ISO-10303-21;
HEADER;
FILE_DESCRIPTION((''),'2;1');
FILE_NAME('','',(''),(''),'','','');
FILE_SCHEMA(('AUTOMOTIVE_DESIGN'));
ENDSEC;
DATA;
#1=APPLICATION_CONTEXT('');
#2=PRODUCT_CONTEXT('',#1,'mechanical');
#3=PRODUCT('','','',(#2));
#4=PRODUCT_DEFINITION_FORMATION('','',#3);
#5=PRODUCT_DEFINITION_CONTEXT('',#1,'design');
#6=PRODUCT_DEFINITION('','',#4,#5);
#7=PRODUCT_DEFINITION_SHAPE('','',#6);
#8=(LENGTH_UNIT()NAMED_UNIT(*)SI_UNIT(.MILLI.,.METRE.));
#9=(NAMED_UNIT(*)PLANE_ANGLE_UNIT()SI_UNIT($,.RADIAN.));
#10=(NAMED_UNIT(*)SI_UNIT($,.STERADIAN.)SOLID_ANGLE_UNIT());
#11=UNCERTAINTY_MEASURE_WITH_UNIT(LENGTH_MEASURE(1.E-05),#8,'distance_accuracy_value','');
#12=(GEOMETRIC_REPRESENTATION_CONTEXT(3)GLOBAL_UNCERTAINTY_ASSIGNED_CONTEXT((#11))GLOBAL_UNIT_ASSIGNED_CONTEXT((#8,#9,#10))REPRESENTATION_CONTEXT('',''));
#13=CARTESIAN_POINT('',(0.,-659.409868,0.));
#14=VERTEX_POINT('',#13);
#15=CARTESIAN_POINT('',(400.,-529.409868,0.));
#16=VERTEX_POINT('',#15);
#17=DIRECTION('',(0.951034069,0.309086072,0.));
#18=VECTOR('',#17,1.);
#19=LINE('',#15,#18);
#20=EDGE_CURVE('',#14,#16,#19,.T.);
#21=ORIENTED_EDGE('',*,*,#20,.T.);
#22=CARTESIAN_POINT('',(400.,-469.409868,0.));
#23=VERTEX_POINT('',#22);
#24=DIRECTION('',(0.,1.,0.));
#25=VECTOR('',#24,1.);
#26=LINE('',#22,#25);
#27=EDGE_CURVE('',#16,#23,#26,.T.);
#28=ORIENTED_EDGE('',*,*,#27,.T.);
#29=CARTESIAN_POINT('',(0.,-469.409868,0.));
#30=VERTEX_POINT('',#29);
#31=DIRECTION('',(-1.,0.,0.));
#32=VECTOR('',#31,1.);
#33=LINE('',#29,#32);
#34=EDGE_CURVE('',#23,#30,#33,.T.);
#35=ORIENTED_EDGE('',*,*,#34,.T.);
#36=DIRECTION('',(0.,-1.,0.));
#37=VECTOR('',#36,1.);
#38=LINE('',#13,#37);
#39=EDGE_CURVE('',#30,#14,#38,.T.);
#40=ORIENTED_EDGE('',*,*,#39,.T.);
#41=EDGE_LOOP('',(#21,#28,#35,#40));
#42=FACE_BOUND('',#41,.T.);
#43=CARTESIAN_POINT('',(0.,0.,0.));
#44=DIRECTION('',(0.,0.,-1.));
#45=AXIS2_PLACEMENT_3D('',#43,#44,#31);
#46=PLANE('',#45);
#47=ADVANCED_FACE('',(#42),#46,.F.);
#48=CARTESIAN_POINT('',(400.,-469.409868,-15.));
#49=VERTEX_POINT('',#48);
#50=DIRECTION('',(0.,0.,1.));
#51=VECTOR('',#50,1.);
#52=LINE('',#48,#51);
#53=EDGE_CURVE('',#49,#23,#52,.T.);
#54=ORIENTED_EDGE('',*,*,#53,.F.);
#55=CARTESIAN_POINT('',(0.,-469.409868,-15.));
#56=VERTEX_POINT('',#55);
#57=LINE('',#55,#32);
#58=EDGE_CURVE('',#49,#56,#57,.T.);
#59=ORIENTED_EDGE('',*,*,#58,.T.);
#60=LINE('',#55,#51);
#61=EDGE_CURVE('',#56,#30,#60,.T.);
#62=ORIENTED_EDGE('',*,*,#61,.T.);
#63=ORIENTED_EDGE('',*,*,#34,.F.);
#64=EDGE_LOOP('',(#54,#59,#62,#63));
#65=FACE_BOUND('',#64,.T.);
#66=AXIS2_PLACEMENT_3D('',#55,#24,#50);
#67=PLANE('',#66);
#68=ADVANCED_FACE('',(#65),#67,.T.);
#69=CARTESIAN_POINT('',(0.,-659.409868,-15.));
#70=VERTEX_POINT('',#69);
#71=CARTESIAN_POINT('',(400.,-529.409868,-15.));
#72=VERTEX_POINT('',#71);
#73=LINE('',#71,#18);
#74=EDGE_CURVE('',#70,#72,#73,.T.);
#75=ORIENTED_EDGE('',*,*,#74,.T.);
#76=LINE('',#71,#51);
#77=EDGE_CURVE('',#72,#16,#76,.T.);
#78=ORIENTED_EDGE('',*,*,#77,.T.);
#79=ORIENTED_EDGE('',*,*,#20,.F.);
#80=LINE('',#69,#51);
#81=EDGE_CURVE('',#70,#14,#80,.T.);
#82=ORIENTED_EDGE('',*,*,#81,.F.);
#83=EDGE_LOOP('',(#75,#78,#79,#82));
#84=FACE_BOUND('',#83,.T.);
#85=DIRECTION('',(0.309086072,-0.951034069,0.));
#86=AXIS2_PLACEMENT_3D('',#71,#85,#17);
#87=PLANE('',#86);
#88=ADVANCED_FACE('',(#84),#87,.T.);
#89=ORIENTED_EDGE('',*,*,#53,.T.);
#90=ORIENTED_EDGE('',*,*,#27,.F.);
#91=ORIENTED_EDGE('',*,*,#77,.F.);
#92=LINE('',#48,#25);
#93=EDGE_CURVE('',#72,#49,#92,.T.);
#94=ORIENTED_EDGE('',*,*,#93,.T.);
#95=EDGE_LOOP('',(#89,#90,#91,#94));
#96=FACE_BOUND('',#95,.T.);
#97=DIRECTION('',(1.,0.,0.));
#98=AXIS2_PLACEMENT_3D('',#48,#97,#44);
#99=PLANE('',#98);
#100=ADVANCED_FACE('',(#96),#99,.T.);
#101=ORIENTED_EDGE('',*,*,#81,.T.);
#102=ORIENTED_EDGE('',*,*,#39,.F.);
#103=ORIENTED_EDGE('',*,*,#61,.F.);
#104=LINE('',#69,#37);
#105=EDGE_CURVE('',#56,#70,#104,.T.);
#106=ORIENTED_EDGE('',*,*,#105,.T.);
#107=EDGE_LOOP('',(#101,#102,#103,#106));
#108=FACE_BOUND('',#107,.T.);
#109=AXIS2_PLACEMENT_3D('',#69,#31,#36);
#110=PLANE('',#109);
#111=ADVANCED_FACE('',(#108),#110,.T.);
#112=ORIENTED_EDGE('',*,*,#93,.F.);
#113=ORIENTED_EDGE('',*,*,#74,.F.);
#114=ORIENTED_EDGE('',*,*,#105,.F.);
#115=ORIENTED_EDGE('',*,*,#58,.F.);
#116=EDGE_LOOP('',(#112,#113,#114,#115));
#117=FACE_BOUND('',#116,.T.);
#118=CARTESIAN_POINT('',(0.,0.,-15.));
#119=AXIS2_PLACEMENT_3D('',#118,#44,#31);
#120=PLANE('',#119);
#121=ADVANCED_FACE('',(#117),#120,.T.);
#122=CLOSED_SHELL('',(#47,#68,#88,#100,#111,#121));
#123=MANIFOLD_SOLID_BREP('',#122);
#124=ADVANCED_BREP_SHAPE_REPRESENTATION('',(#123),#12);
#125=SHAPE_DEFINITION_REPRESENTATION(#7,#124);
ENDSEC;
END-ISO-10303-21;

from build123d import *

# Parameters (mm, degrees)
BOSS_EXTRU_1_DEPTH = 15


with BuildPart() as part:
    # Esquisse1 → Boss.-Extru.1 (new body)
    with BuildSketch(Plane.XY):
        Polygon((0, -469.409867617), (400, -469.409867617), (400, -529.409867617), (0, -659.409867617), align=None)
    extrude(amount=-BOSS_EXTRU_1_DEPTH)


solid = part.part
